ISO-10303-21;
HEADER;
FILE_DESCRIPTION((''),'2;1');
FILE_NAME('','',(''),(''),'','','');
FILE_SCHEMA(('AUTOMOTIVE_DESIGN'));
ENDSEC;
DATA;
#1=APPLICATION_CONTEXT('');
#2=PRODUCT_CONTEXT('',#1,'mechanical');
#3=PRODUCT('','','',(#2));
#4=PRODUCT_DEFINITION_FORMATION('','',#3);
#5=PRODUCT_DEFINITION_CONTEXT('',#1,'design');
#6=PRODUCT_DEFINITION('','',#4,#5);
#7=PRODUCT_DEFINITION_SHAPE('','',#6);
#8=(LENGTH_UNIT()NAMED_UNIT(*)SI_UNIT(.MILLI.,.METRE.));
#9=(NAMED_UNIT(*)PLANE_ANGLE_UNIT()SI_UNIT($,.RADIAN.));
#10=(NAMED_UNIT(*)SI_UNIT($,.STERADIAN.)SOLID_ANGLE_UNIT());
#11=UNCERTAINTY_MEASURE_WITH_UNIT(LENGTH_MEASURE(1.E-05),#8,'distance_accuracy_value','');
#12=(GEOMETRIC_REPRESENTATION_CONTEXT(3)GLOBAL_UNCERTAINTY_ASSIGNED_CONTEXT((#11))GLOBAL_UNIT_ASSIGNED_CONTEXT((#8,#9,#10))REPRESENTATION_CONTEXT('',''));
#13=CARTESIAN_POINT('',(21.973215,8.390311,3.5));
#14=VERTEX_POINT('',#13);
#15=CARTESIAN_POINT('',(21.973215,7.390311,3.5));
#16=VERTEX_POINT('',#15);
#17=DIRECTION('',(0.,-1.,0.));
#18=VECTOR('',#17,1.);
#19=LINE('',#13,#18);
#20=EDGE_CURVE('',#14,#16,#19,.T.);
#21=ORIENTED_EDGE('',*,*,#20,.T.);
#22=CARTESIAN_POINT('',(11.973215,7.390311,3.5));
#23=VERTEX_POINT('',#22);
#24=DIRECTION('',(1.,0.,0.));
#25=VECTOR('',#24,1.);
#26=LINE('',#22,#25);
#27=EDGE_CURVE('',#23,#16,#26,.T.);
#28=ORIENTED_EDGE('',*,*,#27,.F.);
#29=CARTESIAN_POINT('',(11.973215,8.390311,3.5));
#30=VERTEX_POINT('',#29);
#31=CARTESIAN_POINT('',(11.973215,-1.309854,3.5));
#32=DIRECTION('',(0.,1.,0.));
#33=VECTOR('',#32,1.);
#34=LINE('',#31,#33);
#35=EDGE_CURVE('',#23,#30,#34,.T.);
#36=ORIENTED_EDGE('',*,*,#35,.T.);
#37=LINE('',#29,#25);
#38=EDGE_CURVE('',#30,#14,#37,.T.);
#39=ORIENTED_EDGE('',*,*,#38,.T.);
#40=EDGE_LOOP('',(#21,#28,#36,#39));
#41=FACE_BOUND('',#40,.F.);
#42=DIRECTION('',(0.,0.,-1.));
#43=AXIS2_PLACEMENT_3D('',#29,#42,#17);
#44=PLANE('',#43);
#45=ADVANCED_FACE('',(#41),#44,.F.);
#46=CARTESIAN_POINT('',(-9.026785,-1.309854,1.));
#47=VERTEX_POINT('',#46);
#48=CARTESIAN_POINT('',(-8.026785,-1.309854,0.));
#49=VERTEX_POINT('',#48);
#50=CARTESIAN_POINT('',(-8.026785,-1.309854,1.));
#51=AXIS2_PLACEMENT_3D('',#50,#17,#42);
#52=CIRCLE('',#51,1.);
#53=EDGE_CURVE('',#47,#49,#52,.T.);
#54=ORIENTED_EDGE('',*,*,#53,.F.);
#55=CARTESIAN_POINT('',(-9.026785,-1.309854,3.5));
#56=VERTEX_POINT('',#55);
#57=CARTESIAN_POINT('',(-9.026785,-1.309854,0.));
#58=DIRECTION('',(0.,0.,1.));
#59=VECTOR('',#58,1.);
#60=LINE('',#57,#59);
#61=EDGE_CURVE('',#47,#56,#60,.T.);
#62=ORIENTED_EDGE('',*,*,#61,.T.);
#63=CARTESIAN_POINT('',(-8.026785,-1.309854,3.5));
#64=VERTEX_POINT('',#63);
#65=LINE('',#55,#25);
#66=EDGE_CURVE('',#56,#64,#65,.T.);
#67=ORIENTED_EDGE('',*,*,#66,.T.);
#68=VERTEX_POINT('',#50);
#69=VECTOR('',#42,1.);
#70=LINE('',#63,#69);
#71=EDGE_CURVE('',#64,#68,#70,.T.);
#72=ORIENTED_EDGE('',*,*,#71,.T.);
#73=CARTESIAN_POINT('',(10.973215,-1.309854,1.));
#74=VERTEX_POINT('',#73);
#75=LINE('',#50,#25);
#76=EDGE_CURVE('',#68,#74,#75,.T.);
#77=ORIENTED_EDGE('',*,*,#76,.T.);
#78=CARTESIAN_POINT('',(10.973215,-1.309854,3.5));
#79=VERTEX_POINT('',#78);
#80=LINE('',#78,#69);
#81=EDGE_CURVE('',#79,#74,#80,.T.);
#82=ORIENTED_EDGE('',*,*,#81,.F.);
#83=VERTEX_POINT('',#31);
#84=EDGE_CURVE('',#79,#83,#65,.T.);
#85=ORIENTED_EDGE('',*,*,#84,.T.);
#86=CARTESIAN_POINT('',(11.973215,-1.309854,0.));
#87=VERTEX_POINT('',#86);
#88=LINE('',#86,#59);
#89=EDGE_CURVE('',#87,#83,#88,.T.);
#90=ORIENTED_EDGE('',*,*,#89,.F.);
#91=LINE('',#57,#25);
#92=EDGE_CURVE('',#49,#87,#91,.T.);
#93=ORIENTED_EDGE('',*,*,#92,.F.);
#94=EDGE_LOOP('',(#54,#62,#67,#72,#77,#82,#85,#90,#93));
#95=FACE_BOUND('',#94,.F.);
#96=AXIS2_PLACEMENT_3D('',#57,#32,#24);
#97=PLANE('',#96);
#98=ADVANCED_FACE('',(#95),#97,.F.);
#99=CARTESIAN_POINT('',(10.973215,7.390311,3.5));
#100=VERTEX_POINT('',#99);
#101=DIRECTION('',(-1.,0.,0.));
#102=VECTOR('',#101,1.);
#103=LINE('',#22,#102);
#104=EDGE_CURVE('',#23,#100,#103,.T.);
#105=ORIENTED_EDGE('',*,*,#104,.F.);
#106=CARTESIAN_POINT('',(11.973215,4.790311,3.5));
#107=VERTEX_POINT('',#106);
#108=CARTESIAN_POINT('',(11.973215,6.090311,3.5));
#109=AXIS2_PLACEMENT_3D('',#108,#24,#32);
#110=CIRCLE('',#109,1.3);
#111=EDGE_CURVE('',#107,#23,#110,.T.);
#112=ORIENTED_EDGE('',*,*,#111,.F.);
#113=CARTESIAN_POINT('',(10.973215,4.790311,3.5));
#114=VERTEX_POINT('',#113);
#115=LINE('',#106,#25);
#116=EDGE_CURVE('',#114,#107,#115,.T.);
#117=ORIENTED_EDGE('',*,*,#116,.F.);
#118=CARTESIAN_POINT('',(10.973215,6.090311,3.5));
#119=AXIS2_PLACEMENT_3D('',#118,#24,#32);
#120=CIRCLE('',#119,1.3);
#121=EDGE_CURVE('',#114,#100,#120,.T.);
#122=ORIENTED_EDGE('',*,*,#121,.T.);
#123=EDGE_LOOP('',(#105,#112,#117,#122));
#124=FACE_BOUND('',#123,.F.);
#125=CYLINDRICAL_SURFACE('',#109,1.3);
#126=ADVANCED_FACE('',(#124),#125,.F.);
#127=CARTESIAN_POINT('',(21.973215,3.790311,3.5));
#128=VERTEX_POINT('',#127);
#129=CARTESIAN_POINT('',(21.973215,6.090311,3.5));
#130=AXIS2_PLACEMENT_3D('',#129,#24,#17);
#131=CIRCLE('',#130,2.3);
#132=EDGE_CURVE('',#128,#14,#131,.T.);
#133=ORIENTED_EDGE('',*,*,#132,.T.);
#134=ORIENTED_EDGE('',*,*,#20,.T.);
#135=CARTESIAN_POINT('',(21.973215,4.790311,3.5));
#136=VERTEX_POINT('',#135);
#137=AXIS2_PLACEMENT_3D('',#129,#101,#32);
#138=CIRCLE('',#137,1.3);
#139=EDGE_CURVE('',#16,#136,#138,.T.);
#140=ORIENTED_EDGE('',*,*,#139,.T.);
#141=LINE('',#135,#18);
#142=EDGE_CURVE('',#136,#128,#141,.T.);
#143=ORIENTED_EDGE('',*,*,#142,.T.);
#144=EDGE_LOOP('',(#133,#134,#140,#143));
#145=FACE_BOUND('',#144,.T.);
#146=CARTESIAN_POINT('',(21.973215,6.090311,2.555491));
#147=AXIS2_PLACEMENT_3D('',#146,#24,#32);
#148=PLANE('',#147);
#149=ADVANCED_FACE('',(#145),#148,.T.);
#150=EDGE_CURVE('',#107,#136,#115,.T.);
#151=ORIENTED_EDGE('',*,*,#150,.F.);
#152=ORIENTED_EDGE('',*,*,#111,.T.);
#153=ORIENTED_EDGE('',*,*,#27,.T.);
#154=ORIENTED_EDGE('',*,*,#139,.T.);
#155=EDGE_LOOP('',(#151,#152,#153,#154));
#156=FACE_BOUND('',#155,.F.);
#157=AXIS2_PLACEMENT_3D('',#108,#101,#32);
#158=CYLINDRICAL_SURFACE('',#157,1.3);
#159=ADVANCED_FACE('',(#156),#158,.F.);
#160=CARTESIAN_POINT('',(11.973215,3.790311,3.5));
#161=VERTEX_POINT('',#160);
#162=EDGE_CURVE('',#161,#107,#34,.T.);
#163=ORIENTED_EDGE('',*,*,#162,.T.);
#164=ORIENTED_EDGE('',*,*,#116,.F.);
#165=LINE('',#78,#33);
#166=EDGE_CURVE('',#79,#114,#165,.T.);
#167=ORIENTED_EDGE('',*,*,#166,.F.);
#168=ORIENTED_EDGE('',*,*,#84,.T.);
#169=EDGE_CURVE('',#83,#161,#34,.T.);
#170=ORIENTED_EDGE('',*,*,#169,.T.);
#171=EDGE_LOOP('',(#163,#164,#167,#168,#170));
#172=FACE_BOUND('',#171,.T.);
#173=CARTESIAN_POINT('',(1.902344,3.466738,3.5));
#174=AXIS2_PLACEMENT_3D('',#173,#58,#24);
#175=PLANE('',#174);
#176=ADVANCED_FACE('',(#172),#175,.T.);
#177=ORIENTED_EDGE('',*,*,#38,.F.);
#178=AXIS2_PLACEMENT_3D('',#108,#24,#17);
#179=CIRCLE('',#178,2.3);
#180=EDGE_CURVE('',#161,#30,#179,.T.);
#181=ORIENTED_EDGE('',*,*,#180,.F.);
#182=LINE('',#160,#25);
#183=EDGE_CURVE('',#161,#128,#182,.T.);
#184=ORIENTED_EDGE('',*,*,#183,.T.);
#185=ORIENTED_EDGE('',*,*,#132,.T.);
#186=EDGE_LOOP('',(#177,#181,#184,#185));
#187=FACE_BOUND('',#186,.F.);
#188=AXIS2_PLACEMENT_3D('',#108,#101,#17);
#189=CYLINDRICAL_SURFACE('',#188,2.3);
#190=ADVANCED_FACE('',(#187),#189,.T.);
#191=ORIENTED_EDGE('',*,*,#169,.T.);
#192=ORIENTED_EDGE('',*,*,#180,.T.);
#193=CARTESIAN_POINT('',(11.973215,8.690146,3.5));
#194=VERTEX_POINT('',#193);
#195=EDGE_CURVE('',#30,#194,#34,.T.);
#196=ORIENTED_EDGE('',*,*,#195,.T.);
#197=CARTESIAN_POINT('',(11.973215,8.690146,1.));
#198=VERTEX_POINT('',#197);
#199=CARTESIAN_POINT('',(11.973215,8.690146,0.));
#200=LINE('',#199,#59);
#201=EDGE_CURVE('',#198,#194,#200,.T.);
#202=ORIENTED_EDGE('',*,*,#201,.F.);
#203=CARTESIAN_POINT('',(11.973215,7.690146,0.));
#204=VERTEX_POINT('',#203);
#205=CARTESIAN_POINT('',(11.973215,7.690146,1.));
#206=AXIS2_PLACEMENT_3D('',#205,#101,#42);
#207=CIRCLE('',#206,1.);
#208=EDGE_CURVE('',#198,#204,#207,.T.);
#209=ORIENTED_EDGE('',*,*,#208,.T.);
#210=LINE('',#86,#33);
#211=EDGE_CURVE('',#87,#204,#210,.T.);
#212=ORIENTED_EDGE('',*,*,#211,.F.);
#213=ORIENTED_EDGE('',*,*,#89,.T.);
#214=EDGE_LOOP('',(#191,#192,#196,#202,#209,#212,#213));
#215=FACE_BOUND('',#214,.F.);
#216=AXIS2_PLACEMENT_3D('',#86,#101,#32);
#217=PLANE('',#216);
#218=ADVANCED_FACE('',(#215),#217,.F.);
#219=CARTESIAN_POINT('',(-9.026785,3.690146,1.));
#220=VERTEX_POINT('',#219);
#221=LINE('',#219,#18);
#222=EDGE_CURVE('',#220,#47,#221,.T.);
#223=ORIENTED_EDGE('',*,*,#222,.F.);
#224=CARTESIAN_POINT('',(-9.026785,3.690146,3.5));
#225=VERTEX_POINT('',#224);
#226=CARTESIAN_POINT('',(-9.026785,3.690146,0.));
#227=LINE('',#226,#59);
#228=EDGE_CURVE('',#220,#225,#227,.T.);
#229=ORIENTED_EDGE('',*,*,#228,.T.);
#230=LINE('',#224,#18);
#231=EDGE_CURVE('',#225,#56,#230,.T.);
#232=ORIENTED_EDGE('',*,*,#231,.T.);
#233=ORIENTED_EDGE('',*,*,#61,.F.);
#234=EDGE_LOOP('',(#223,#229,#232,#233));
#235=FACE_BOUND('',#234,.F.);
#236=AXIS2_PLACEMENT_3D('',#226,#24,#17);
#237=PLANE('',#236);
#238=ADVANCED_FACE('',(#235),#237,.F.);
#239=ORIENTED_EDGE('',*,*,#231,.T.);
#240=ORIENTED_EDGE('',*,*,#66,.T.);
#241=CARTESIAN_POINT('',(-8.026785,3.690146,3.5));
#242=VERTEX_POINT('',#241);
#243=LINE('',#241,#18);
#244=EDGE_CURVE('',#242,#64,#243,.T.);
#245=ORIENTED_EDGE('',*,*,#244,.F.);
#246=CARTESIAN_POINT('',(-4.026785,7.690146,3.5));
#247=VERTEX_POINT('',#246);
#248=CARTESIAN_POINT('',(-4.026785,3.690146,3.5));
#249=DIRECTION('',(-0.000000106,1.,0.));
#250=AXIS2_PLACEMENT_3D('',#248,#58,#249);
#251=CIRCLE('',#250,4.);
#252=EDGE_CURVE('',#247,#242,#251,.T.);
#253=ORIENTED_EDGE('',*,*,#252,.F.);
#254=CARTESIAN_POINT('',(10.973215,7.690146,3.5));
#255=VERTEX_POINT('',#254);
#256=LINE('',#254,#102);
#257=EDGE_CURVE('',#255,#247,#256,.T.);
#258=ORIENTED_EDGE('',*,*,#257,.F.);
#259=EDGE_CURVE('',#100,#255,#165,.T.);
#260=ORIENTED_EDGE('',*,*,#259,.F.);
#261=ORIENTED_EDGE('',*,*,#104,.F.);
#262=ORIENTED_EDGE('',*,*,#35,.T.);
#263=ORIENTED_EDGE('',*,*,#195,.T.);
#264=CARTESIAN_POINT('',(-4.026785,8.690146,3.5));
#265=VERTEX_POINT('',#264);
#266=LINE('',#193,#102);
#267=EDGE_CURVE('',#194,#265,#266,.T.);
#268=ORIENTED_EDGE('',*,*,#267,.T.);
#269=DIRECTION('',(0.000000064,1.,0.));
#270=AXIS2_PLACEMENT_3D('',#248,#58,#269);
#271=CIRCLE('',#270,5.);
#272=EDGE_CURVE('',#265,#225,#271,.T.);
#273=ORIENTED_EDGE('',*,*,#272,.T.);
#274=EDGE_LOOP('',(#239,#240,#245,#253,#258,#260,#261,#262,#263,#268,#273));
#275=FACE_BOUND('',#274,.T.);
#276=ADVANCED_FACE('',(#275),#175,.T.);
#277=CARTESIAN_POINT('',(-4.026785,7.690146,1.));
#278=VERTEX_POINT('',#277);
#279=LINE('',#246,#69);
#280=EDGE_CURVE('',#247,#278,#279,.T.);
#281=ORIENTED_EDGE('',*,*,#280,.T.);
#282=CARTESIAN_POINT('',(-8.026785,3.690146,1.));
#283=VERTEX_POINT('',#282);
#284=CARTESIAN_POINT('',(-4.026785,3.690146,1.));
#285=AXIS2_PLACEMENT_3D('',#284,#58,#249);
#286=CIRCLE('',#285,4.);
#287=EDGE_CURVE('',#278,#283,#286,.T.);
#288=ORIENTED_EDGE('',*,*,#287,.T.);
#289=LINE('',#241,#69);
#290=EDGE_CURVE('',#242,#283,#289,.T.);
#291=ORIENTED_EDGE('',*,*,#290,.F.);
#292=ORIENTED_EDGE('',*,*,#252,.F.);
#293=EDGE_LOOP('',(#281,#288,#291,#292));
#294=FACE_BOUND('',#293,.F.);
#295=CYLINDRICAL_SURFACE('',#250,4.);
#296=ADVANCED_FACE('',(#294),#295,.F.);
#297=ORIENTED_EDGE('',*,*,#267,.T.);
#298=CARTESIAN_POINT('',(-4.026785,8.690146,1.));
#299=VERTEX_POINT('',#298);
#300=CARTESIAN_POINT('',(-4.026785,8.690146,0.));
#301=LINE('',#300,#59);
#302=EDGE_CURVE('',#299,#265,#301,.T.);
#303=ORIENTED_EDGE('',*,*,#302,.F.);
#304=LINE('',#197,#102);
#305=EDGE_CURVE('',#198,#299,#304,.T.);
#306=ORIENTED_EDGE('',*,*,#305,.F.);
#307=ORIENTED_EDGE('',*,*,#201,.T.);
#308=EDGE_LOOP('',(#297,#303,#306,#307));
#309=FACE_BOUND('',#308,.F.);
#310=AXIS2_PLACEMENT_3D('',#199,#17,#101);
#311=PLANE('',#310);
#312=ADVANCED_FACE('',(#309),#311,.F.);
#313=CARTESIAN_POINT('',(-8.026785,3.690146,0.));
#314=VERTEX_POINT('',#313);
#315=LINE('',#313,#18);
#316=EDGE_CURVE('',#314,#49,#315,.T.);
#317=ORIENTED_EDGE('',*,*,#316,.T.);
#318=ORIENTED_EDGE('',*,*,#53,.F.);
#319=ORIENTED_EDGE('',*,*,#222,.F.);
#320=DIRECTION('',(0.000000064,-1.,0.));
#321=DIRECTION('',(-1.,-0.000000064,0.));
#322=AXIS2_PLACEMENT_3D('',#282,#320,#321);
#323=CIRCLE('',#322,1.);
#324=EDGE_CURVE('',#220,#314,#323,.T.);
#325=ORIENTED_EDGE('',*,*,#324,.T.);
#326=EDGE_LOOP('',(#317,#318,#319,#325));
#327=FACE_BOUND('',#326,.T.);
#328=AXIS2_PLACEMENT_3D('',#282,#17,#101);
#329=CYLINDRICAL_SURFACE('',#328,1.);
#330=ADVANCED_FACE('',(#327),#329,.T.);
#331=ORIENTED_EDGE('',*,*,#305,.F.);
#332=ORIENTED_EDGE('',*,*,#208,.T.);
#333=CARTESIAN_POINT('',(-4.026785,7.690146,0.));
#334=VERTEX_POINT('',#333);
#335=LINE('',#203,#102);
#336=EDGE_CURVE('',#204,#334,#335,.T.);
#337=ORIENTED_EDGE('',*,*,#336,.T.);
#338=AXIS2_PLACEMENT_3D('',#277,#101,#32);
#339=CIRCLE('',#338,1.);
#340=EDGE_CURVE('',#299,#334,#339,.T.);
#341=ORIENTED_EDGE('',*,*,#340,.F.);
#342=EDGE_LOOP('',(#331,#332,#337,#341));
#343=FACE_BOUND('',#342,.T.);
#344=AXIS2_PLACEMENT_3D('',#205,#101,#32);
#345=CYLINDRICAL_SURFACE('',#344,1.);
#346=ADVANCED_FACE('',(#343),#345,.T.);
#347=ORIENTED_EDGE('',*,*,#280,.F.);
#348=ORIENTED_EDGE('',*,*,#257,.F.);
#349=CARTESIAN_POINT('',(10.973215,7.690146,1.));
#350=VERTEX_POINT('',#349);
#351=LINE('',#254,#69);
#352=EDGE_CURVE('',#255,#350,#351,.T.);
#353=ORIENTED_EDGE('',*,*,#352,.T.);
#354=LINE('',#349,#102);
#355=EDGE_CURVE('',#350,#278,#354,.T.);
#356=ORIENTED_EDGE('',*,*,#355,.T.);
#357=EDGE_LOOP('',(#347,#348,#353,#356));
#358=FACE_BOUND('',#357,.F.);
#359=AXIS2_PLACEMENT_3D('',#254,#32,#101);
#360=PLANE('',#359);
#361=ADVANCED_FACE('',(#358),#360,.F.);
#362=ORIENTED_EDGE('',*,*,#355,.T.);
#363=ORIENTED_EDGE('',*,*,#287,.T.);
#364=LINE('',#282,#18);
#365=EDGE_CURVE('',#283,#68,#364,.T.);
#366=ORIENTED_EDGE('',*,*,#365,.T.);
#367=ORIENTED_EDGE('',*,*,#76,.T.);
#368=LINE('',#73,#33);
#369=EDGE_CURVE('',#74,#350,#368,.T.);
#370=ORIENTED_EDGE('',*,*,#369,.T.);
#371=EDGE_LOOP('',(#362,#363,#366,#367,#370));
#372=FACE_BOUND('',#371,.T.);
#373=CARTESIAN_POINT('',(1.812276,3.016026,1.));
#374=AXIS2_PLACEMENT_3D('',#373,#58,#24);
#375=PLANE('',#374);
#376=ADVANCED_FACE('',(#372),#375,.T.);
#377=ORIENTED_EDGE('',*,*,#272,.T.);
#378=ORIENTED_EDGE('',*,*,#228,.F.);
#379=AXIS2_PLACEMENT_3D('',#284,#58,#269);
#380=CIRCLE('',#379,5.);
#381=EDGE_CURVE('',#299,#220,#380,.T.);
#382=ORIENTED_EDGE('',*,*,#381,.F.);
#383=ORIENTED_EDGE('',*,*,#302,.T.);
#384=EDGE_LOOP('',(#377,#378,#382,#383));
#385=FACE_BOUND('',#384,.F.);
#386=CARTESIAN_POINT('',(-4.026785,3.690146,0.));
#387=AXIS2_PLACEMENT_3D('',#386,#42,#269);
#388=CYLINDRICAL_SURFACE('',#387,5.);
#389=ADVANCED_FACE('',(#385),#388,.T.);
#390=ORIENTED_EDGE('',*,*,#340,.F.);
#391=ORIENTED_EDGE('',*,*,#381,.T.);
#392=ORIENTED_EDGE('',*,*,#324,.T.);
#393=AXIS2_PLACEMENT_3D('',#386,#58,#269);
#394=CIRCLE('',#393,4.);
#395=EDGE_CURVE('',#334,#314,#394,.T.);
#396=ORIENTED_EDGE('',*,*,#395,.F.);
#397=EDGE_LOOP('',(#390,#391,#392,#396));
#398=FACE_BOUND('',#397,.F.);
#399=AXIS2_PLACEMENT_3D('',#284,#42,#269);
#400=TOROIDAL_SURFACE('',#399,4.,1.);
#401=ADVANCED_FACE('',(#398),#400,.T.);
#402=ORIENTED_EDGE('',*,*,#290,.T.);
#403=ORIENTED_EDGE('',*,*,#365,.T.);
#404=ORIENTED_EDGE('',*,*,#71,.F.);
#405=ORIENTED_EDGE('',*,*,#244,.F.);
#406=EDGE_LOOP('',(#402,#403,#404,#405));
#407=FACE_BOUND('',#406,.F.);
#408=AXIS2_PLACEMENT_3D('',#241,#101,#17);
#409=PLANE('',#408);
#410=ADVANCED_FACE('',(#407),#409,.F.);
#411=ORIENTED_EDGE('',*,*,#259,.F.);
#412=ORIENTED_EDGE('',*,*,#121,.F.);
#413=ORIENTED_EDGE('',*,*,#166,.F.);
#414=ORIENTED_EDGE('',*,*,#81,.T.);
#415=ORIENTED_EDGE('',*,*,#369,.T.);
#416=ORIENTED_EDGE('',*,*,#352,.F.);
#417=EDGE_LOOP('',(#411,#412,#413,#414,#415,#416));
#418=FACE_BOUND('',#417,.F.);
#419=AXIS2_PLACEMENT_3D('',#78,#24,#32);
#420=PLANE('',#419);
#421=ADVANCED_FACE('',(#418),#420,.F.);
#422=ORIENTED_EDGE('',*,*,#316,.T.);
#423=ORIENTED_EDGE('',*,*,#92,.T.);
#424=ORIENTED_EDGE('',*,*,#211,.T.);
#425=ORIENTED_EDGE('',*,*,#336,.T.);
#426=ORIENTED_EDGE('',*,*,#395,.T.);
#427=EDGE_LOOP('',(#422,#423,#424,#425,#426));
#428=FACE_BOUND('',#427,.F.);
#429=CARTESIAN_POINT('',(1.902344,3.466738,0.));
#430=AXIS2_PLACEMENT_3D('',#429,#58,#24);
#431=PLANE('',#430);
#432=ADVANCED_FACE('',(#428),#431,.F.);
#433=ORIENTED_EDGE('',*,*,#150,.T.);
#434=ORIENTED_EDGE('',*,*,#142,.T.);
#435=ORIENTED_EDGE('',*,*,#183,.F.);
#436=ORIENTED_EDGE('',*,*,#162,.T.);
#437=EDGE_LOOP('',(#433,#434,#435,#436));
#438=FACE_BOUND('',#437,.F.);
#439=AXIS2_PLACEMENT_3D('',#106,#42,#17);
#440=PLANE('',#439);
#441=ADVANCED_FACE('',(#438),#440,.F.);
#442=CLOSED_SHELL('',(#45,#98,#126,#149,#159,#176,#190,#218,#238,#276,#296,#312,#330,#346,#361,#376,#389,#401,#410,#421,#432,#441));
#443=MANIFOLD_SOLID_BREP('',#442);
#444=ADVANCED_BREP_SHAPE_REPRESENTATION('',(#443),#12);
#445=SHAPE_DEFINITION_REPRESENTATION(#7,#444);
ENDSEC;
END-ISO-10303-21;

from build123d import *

# Parameters (mm, degrees)
F1_DEPTH = 3.5
F3_DEPTH = 2.5
F4_R     = 1
F5_R     = 1.3
F6_DEPTH = 7.7
F8_DEPTH = 10


with BuildPart() as f1:
    # F0 (on Top) → F1 (new body)
    with BuildSketch(Plane.XY):
        with BuildLine():
            Line((11.973215, 8.690146), (-4.026785, 8.690146))
            ThreePointArc((-4.026785, 8.690146), (-7.562319, 7.22568), (-9.026785, 3.690146))
            Line((-9.026785, 3.690146), (-9.026785, -1.309854))
            Line((-9.026785, -1.309854), (11.973215, -1.309854))
            Line((11.973215, -1.309854), (11.973215, 8.690146))
        make_face()
    extrude(amount=F1_DEPTH)

    # F2 (on face) → F3 (cut)
    with BuildSketch(Plane.XY.offset(3.5)):
        with BuildLine():
            ThreePointArc((-4.026785, 7.690146), (-6.855212, 6.518573), (-8.026785, 3.690146))
            Line((-8.026785, 3.690146), (-8.026785, -1.309854))
            Line((-8.026785, -1.309854), (10.973215, -1.309854))
            Line((10.973215, -1.309854), (10.973215, 7.690146))
            Line((10.973215, 7.690146), (-4.026785, 7.690146))
        make_face()
    extrude(amount=-F3_DEPTH, mode=Mode.SUBTRACT)

    # F4
    f4_edges = [f1.edges().sort_by_distance(p)[0] for p in [
        (3.973215, 8.690146, 0),
        (-7.562319, 7.22568, 0),
        (-9.026785, 1.190146, 0),
    ]]
    fillet(f4_edges, radius=F4_R)

    # F5 (on face) → F6 (cut)
    with BuildSketch(Plane.YZ.offset(11.973215)):
        with Locations((6.090311, 3.5)):
            Circle(F5_R)
    extrude(amount=-F6_DEPTH, mode=Mode.SUBTRACT)

    # F7 (on face) → F8 (join)
    with BuildSketch(Plane.YZ.offset(11.973215)):
        with BuildLine():
            Line((8.390311, 3.5), (7.390311, 3.5))
            ThreePointArc((7.390311, 3.5), (6.090311, 2.2), (4.790311, 3.5))
            Line((4.790311, 3.5), (3.790311, 3.5))
            ThreePointArc((3.790311, 3.5), (6.090311, 1.2), (8.390311, 3.5))
        make_face()
    extrude(amount=F8_DEPTH)


solid = f1.part
